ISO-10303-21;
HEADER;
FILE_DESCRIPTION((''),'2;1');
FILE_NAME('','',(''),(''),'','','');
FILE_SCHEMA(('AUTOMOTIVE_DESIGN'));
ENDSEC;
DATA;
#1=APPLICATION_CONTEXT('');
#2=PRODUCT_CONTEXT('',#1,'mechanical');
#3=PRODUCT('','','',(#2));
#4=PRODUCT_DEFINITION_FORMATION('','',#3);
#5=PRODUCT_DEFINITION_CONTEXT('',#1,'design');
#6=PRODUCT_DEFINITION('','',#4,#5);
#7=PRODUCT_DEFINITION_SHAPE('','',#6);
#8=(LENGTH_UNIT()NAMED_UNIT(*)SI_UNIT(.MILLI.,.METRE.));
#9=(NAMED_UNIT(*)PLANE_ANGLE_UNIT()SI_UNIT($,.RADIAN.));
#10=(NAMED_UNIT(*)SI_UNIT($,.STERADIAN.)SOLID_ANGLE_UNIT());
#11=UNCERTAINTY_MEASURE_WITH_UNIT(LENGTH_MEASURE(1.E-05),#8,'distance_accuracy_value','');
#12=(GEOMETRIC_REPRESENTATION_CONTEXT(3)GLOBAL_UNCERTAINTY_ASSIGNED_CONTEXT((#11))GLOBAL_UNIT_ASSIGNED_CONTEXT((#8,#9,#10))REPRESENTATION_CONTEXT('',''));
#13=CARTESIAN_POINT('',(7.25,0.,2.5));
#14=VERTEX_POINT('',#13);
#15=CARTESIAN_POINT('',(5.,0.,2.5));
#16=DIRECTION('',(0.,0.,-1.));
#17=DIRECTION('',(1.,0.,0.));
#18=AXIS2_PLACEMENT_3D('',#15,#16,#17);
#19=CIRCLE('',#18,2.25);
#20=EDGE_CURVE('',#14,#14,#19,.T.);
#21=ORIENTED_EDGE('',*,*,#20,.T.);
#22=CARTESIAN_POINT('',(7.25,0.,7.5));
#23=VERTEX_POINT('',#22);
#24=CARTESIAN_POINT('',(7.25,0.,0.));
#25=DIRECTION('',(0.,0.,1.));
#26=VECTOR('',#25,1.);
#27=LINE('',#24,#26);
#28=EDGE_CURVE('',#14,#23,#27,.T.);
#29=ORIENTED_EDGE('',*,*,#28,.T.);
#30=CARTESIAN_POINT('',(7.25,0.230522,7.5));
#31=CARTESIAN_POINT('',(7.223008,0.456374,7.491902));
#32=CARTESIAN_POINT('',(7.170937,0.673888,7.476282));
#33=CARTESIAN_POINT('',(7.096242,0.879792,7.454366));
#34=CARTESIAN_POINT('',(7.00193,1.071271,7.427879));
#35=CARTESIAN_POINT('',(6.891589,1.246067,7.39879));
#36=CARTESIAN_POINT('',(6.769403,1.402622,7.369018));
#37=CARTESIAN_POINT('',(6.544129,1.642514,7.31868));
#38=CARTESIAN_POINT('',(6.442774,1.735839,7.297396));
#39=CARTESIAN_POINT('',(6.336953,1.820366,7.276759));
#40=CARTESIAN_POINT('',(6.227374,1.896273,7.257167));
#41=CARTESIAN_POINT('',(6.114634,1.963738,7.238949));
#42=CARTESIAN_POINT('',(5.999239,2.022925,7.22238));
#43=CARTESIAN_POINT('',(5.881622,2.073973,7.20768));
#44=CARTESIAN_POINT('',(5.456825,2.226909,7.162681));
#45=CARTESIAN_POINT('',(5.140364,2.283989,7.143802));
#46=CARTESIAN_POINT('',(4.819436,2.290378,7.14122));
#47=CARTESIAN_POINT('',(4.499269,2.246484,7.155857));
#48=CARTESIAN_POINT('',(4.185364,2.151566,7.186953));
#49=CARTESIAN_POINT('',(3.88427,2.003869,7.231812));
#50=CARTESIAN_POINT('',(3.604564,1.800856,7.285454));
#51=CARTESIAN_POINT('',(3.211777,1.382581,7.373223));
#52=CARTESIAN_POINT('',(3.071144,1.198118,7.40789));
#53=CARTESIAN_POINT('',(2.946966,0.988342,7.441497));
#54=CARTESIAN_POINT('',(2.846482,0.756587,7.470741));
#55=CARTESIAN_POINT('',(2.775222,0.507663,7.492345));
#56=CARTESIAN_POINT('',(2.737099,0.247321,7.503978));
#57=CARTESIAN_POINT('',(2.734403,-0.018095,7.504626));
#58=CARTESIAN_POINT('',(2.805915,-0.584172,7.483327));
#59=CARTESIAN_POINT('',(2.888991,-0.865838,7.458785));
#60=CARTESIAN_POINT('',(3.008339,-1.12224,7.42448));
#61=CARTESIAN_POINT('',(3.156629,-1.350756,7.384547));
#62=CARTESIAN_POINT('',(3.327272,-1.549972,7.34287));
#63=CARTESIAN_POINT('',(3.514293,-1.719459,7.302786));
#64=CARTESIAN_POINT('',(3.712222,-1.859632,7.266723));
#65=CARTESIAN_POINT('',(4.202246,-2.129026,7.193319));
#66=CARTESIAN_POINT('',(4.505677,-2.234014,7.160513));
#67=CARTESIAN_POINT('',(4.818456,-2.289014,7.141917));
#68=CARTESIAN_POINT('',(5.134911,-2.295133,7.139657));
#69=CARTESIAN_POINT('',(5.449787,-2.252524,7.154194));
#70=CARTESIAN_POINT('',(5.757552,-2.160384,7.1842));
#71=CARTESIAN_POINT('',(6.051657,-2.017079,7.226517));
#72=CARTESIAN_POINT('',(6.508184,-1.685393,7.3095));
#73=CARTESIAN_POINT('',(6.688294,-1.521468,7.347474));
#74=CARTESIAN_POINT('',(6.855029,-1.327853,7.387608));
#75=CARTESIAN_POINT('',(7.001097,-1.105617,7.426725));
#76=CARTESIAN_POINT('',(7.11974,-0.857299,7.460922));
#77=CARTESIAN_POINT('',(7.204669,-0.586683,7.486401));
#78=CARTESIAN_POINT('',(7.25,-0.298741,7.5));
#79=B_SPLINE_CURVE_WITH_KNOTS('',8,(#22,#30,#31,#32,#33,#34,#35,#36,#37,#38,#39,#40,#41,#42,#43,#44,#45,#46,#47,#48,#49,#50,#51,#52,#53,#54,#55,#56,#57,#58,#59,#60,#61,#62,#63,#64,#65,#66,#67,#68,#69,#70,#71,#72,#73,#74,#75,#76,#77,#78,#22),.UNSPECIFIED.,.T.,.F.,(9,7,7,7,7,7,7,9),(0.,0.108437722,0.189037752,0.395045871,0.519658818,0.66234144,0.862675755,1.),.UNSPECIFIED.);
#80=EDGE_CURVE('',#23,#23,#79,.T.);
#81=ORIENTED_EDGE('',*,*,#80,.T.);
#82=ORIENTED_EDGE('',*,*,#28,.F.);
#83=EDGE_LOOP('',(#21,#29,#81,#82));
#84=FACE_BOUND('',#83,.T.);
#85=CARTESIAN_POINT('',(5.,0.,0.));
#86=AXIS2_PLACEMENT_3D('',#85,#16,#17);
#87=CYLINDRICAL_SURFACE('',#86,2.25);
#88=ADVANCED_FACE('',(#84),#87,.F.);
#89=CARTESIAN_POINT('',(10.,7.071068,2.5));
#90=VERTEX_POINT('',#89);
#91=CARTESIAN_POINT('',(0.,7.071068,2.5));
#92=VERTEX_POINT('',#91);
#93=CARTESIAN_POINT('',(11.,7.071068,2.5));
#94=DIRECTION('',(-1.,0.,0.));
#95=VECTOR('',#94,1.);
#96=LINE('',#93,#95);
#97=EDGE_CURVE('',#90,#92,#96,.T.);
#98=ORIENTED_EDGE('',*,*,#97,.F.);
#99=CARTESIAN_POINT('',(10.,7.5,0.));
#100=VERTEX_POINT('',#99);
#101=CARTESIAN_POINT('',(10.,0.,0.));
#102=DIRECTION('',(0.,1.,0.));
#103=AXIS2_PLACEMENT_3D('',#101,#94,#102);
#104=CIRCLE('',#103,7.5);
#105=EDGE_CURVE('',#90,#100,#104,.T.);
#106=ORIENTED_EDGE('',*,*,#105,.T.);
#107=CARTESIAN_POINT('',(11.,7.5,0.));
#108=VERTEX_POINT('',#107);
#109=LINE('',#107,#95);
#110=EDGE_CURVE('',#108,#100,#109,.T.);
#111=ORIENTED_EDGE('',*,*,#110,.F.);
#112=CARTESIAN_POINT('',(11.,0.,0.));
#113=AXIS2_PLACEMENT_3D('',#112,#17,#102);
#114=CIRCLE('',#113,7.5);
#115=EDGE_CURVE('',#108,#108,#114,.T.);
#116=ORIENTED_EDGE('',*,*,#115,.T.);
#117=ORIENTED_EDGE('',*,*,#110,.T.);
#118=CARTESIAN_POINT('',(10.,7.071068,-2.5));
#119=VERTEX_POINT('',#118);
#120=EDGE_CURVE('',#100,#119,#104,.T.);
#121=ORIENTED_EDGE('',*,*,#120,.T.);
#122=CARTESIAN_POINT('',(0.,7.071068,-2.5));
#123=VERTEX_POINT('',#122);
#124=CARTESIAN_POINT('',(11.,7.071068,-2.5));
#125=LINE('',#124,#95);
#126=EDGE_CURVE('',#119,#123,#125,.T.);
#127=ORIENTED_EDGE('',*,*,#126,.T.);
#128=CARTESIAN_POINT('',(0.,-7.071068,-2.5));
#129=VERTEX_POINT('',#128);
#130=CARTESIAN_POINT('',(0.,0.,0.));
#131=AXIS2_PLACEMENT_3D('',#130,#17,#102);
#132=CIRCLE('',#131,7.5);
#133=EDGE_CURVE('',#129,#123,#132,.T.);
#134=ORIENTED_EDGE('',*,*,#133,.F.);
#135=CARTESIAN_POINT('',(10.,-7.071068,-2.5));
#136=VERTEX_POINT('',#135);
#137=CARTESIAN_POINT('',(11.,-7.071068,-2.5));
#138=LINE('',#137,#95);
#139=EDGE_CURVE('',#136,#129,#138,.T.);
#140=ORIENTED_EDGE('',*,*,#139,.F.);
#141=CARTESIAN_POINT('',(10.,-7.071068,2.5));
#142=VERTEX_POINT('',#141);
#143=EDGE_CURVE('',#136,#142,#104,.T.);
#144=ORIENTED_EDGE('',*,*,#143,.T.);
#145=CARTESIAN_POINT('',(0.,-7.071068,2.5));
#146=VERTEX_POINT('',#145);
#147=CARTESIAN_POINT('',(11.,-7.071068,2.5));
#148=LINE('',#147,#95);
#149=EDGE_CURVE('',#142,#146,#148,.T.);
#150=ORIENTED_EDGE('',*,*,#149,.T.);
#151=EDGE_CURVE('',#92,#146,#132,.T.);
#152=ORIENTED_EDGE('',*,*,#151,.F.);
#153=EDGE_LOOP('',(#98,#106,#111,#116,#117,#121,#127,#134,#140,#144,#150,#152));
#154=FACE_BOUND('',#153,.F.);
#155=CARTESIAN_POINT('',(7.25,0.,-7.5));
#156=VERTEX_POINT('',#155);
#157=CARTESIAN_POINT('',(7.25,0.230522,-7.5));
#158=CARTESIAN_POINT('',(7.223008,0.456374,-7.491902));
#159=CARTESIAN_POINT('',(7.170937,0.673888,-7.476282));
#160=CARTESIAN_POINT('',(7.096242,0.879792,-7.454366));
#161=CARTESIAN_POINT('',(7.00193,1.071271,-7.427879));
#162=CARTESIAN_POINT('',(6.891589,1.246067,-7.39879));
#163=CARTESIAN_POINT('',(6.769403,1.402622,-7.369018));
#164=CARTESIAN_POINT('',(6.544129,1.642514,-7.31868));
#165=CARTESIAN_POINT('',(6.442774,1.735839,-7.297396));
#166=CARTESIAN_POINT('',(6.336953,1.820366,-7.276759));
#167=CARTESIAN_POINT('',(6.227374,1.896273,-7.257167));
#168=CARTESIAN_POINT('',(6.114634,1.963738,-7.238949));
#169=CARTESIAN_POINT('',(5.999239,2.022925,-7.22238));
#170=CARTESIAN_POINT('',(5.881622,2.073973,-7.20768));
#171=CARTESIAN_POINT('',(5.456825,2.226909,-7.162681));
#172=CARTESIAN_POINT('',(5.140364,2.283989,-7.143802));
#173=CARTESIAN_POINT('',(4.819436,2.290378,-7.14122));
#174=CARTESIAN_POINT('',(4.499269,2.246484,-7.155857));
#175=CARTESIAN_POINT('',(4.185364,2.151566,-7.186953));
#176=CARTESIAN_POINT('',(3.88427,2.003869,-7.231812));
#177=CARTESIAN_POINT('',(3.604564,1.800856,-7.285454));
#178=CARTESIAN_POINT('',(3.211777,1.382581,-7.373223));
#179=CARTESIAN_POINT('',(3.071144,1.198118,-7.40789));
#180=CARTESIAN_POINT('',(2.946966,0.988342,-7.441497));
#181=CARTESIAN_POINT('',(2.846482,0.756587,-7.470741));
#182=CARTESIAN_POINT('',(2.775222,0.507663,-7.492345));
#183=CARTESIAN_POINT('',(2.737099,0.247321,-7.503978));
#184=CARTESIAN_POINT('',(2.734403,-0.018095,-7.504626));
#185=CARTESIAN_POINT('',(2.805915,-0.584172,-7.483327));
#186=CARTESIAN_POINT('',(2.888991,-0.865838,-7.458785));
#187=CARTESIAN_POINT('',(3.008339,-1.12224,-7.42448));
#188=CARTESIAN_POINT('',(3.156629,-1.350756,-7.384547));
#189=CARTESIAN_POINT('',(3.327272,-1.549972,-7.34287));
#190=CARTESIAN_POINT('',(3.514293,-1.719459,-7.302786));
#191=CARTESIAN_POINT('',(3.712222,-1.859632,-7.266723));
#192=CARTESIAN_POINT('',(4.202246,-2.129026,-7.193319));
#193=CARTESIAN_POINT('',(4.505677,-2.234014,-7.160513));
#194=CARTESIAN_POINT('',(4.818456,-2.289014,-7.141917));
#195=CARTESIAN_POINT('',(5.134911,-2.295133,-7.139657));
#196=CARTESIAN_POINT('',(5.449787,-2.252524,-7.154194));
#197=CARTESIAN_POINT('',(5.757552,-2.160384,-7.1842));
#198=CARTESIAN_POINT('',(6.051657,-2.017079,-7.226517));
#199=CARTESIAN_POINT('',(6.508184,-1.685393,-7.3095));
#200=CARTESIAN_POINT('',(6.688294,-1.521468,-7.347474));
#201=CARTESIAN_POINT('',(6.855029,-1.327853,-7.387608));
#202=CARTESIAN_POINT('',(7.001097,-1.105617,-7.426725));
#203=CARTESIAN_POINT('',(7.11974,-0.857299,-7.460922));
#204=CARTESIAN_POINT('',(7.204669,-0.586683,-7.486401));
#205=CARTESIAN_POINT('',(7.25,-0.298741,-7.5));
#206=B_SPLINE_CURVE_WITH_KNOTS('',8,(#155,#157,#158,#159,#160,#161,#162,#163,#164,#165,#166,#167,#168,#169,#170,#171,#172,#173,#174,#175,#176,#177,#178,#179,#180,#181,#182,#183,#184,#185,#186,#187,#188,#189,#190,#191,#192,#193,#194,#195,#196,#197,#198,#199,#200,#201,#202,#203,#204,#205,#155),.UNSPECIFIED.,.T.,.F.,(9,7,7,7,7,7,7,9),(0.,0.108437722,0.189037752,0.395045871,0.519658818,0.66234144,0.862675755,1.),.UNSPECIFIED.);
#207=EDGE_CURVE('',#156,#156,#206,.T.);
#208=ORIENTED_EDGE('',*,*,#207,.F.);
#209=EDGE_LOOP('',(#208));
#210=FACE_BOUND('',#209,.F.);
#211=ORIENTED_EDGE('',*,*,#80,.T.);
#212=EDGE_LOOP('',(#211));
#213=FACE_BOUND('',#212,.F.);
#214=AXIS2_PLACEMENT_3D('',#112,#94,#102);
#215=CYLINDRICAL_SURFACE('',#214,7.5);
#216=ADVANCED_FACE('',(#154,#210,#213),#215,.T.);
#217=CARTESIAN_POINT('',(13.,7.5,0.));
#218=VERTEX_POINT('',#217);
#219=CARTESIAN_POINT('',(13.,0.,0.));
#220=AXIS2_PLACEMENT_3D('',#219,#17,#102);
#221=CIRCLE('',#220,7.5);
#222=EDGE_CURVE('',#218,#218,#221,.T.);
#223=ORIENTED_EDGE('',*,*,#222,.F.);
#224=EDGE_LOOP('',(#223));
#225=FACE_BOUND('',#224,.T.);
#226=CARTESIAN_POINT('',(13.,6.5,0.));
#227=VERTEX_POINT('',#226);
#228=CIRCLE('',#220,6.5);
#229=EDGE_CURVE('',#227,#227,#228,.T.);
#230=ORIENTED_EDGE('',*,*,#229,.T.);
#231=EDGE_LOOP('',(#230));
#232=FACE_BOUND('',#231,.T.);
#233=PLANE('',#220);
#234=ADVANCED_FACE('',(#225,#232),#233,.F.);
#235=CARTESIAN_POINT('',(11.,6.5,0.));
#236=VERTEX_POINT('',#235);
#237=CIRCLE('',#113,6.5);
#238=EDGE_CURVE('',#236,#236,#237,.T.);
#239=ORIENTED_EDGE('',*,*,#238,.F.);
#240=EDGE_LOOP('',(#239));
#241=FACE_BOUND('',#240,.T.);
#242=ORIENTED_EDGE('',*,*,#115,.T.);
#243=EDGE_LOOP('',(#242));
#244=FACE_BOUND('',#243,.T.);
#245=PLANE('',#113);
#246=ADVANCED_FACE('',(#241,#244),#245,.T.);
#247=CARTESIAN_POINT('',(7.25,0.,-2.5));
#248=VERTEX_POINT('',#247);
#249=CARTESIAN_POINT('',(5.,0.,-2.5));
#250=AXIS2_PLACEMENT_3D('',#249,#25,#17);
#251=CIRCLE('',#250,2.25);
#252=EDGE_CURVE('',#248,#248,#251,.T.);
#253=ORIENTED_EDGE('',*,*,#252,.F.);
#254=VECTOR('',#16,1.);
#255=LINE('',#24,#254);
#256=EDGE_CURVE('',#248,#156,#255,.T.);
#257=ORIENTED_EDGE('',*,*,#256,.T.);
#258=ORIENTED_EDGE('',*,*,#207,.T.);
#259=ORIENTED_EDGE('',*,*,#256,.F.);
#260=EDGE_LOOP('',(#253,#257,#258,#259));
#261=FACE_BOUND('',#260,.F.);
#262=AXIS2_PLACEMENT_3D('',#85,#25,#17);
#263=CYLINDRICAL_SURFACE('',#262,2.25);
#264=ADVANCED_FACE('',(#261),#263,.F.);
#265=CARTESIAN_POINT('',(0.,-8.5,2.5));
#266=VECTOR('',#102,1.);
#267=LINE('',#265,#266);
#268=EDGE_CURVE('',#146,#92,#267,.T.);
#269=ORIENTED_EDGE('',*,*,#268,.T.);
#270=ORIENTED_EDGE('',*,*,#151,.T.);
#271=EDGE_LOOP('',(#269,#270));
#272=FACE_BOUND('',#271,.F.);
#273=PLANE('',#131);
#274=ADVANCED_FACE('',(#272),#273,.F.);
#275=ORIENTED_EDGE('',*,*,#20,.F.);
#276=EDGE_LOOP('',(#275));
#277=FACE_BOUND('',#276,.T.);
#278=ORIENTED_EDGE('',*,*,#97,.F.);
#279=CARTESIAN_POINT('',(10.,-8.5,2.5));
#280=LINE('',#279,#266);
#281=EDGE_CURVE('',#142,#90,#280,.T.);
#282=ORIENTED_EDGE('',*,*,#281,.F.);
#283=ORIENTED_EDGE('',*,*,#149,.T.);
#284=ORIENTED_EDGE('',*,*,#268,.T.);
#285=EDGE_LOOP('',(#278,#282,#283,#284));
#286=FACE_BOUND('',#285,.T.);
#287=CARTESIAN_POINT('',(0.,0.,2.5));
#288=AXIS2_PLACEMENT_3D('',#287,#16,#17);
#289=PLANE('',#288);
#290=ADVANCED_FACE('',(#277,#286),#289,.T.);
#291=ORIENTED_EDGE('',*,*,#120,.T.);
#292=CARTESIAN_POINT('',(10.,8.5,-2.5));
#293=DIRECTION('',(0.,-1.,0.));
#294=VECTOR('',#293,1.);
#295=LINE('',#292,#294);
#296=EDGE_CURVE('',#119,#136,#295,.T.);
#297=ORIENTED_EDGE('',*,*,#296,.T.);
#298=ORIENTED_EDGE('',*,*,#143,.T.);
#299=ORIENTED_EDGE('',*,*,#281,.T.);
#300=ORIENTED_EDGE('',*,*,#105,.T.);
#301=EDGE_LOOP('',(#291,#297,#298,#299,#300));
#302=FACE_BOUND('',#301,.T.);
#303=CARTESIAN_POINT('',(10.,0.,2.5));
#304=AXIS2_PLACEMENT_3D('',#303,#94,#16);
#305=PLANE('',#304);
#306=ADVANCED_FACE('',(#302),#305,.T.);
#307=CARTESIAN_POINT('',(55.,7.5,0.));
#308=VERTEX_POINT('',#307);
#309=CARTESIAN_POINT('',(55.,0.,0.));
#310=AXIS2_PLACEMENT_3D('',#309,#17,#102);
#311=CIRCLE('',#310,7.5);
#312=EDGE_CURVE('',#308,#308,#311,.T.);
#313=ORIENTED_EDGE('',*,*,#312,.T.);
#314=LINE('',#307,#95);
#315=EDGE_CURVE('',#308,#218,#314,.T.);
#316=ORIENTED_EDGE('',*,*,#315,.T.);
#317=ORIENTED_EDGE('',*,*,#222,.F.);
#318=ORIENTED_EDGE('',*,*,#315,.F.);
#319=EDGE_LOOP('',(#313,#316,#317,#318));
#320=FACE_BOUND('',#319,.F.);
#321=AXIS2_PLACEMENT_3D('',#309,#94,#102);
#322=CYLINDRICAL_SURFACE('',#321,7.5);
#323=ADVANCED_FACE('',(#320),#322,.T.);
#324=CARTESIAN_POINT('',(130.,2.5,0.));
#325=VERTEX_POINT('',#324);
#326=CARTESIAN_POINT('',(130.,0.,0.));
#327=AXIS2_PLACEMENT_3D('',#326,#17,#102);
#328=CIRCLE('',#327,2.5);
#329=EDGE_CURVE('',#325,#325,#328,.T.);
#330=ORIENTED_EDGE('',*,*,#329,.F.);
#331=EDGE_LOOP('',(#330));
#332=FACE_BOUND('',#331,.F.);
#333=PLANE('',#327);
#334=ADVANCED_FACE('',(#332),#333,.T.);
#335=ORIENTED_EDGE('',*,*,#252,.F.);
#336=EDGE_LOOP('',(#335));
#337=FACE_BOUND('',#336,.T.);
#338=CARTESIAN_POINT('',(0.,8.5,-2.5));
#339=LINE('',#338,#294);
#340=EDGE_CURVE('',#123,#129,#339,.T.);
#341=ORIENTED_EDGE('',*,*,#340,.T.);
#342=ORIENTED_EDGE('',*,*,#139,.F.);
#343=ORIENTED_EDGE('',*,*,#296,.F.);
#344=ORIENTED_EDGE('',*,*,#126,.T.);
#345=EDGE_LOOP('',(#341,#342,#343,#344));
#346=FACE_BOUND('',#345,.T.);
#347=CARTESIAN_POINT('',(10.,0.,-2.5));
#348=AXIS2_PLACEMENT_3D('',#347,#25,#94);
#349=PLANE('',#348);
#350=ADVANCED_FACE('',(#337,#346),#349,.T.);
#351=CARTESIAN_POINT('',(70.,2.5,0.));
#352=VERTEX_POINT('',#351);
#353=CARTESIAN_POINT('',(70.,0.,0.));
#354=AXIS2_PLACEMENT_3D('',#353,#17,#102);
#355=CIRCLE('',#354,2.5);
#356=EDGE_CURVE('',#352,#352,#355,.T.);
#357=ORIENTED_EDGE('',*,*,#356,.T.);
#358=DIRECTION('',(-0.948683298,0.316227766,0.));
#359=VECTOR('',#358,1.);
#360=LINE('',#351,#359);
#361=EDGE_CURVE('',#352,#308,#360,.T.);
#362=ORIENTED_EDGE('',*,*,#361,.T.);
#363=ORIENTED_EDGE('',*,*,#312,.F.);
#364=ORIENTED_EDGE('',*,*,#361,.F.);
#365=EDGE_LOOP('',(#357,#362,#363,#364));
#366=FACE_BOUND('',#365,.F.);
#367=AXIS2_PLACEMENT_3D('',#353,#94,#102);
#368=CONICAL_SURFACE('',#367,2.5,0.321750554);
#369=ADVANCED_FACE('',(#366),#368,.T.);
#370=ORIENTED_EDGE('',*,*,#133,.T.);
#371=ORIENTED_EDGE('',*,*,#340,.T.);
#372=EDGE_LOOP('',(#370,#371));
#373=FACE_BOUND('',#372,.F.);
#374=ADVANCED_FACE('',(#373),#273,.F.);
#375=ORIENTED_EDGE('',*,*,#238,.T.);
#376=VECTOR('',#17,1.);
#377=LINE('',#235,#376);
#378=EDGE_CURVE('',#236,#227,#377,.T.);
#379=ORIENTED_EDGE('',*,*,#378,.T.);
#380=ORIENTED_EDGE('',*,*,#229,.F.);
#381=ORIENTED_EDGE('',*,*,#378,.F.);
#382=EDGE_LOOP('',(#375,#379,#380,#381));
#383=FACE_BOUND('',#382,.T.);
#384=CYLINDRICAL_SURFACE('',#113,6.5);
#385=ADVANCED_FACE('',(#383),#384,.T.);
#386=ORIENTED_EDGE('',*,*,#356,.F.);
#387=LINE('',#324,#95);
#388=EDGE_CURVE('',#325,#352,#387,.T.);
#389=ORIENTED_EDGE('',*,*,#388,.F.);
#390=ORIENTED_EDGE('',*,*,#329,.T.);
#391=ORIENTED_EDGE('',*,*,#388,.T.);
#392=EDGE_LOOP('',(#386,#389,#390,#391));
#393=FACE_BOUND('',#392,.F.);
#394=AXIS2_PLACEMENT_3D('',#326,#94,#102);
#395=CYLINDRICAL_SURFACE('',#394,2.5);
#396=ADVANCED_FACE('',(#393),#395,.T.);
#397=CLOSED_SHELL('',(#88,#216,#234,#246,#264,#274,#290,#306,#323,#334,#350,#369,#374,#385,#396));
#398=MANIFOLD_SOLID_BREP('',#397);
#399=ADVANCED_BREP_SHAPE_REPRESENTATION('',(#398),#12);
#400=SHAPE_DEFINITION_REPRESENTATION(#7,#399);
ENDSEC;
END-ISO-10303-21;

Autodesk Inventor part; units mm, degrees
ref_plane "YZ Plane" through (0, 0, 0) normal (1, 0, 0) x (0, 1, 0)
ref_plane "XZ Plane" through (0, 0, 0) normal (0, 1, 0) x (-1, 0, 0)
ref_plane "XY Plane" through (0, 0, 0) normal (0, 0, 1) x (1, 0, 0)
sketch "Skizze1" plane through (0, 0, 0) normal (0, 0, 1) x (1, 0, 0)
  line L0 (0, 0) -> (130, 0)
  line L1 (130, 0) -> (130, 2.5)
  line L2 (130, 2.5) -> (70, 2.5)
  line L3 (70, 2.5) -> (55, 7.5)
  line L4 (0, 7.5) -> (0, 0)
  line L5 (-57.0949, 0) -> (91.8524, 0)
  line L6 (-94.5139, 0) -> (167.419, 0) projected
  line L7 (0, -1.5) -> (0, 9) projected
  line L8 (11, 7.5) -> (11, 6.5)
  line L9 (11, 6.5) -> (13, 6.5)
  line L10 (13, 6.5) -> (13, 7.5)
  line L11 (55, 7.5) -> (13, 7.5)
  line L12 (11, 7.5) -> (0, 7.5)
  point P0 (0, 0)
  point P1 (0, -1.5)
  point P2 (0, 9)
  dimension "d0" = 130
  dimension "d1" = 5
  dimension "d3" = 55
  dimension "d4" = 15
  dimension "d5" = 11
  dimension "d6" = 2
  dimension "d7" = 1
  dimension "d8" = 15
revolve "Umdrehung1" add sketch "Skizze1" angle 360 about axis through (-57.0949, 0, 0) along (1, 0, 0)
sketch "Skizze2" plane through (0, 0, 0) normal (0, 1, 0) x (-1, 0, 0)
  line L0 (0, 2.5) -> (-10, 2.5)
  line L1 (-10, 2.5) -> (-10, -2.5)
  line L2 (-10, -2.5) -> (0, -2.5)
  line L3 (0, -2.5) -> (0, 2.5)
  point P0 (0, 0)
  point P1 (0, 0)
  dimension "d10" = 10
  dimension "d11" = 5
extrude "Extrusion1" cut sketch "Skizze2" along normal through all both and the other way through all
sketch "Skizze3" plane through (0, 0, 0) normal (0, 0, 1) x (1, 0, 0)
  circle A0 centre (5, 0) radius 2.25
  line L0 (0, -7.0711) -> (0, 7.0711) projected
  point P0 (0, 0)
  point P1 (0, 0)
  dimension "d14" = 5
  dimension "d15" = 4.5
extrude "Extrusion2" cut sketch "Skizze3" along normal through all both and the other way through all
thread "Gewinde1" size "M5x0.8" class "6g" standard "ANSI Metric M Profile" length 50
properties part number "Anker"
